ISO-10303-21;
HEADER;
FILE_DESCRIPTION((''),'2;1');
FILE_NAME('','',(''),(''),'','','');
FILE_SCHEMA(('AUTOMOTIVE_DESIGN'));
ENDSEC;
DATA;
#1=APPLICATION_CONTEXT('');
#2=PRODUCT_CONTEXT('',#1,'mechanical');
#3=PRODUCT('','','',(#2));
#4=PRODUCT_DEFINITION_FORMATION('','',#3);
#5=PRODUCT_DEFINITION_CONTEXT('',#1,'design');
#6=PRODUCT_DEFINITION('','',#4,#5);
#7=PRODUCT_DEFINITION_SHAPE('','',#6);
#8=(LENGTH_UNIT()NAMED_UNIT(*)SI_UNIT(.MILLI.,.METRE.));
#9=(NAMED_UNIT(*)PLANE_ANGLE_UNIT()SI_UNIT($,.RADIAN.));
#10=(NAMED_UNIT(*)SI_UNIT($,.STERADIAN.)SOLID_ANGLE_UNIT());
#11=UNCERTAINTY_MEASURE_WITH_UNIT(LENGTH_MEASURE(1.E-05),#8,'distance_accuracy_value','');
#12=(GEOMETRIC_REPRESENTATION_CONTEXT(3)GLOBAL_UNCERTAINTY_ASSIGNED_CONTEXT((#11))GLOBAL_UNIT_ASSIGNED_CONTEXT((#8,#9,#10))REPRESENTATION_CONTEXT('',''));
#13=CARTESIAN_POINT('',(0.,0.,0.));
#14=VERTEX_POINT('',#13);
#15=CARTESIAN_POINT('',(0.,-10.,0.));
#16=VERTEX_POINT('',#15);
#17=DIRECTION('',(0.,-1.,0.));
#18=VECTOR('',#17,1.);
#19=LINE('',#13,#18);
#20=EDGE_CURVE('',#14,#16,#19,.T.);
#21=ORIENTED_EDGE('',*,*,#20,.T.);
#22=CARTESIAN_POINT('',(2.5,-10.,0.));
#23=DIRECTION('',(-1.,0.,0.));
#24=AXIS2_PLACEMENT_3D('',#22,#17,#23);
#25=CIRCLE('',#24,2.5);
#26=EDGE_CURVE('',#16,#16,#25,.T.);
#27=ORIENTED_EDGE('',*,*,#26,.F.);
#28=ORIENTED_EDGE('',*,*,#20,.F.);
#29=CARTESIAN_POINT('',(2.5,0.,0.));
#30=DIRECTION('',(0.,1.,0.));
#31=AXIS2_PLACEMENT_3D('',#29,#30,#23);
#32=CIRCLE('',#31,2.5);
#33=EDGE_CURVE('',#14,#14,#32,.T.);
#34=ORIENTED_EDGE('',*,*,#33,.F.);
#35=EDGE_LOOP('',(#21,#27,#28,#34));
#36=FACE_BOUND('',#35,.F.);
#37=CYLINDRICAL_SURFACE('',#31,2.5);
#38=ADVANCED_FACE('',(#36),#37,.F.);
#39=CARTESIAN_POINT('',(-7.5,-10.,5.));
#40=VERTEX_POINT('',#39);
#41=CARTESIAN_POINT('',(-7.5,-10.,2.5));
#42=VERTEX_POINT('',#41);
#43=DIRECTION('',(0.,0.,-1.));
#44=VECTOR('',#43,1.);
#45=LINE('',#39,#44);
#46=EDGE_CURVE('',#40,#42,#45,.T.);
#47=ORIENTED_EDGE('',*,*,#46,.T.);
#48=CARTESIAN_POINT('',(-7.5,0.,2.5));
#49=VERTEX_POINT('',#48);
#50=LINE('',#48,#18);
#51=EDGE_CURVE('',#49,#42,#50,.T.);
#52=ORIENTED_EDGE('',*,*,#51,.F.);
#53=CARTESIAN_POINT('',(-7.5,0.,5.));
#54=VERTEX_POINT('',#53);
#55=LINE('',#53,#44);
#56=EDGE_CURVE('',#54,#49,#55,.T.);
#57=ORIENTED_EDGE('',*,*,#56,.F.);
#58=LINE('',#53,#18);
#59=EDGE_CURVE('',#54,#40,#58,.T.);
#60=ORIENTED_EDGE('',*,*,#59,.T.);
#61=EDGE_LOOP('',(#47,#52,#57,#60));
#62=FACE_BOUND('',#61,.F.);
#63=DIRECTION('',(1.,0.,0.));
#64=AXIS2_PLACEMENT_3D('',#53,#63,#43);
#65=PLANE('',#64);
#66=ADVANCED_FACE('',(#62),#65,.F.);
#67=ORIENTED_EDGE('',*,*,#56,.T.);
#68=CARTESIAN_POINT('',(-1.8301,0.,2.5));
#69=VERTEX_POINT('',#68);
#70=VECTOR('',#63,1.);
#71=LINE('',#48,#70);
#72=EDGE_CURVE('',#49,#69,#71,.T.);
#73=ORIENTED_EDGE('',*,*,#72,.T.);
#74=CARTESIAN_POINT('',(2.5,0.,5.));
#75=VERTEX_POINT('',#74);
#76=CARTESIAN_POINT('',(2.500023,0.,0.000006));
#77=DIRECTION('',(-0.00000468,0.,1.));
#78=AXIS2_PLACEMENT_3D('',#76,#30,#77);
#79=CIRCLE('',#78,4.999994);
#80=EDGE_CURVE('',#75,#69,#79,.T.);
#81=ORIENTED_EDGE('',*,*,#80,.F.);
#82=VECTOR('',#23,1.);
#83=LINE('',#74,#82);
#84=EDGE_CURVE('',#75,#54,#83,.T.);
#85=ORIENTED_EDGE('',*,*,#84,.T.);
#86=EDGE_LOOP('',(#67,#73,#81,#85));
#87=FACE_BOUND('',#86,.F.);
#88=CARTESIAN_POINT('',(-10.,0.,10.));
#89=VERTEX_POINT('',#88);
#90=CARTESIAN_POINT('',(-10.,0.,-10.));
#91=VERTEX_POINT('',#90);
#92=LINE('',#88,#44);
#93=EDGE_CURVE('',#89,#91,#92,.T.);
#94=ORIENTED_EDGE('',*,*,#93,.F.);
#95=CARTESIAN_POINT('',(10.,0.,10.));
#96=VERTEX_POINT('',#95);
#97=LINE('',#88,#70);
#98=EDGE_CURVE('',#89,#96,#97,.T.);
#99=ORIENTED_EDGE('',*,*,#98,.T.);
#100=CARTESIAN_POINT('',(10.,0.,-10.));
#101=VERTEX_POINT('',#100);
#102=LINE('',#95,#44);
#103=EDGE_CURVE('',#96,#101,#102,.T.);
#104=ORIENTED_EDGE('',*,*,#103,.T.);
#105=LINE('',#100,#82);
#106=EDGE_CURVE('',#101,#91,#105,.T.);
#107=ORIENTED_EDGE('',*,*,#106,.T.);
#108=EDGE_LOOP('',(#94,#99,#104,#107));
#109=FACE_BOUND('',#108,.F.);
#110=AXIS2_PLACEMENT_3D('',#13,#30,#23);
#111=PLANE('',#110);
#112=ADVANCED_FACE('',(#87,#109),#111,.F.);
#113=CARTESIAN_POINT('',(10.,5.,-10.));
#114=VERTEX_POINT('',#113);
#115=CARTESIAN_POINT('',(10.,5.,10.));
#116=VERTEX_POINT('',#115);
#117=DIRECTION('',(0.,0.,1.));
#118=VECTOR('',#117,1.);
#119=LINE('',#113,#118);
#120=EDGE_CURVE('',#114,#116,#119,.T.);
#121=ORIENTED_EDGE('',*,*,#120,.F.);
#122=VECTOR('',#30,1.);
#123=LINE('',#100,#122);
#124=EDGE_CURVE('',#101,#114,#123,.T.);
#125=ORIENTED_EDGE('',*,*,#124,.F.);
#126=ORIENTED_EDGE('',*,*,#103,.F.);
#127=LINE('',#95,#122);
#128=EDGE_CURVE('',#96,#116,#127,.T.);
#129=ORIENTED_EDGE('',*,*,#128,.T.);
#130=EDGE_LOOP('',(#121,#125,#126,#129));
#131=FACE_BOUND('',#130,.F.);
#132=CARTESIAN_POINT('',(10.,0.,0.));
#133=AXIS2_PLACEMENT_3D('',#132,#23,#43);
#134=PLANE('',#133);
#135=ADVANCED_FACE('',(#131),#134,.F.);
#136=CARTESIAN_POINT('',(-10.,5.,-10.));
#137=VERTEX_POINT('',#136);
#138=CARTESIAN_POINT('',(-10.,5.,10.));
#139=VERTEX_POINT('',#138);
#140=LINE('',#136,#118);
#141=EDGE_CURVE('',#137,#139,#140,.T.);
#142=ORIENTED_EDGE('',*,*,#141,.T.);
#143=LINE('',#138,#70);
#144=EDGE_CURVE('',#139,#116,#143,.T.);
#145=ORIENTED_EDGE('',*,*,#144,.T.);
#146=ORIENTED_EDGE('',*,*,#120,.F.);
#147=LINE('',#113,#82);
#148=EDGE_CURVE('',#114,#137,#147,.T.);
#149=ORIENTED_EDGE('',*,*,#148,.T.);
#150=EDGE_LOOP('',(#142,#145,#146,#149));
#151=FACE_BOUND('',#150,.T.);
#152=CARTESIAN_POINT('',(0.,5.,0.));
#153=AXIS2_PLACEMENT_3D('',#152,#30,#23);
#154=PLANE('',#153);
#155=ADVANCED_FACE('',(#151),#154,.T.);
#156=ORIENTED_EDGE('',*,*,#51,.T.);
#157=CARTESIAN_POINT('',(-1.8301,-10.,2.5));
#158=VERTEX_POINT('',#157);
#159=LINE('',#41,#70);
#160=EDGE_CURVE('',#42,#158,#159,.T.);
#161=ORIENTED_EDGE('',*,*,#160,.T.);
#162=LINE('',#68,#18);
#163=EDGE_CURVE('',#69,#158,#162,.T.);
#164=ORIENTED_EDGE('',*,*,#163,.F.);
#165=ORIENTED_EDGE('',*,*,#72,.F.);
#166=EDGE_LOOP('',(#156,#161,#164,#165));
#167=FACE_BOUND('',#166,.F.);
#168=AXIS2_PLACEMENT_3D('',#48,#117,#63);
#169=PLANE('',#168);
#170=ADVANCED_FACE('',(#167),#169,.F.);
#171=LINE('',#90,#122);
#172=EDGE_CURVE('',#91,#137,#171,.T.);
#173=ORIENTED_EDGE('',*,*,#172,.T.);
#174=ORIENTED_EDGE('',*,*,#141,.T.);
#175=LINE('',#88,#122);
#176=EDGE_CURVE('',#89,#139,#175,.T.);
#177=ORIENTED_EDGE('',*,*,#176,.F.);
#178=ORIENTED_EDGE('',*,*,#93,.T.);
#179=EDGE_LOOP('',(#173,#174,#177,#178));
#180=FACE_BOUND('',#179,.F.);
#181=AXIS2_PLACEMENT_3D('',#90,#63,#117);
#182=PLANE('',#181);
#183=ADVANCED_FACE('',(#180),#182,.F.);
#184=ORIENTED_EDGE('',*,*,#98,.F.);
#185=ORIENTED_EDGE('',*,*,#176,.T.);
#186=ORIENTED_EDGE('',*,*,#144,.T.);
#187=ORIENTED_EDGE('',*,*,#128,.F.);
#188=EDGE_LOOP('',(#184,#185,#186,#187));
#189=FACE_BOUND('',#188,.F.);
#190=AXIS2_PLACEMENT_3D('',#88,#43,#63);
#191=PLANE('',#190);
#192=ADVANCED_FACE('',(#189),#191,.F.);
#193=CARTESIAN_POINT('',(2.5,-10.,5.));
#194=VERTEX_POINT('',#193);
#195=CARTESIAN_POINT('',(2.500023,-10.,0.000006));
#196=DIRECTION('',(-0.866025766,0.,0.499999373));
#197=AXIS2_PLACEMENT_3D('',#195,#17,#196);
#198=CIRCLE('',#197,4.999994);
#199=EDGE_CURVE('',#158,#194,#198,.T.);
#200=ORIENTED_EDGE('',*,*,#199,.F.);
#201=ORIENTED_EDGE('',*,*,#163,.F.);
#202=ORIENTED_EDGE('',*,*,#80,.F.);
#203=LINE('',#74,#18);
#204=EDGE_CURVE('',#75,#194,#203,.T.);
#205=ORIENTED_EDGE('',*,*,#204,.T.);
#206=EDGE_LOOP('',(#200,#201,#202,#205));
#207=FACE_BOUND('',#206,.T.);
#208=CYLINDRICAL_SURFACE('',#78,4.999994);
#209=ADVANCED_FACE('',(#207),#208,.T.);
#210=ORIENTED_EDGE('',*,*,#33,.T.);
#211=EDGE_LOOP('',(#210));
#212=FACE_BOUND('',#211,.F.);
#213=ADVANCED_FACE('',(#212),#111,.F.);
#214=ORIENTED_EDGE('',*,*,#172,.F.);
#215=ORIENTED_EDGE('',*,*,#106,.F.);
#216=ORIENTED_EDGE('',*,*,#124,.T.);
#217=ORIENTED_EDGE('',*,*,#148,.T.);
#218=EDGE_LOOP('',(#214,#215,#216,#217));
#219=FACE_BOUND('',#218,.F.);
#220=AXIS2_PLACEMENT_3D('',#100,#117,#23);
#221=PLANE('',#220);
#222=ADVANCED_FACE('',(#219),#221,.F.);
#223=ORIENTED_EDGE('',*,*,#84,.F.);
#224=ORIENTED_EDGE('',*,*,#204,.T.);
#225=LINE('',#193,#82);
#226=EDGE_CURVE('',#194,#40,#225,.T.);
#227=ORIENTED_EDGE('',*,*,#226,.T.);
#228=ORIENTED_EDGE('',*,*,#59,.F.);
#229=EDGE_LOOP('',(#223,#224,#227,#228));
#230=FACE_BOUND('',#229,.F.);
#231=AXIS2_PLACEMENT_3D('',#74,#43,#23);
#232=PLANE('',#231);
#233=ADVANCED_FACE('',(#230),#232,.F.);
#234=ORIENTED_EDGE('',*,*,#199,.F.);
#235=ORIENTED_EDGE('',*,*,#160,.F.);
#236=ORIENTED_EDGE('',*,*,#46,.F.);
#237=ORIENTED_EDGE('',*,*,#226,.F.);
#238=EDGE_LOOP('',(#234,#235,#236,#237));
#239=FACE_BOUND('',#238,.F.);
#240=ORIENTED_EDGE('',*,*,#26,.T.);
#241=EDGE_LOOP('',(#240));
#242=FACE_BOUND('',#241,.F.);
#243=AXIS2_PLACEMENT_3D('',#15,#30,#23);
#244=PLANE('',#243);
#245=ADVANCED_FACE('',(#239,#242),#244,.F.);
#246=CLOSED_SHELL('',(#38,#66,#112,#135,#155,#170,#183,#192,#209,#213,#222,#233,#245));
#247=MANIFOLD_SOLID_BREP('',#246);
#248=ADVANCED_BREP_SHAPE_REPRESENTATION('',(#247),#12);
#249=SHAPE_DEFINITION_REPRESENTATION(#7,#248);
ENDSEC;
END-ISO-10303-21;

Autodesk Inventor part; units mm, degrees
ref_plane "YZ Plane" through (0, 0, 0) normal (1, 0, 0) x (0, 1, 0)
ref_plane "XZ Plane" through (0, 0, 0) normal (0, 1, 0) x (-1, 0, 0)
ref_plane "XY Plane" through (0, 0, 0) normal (0, 0, 1) x (1, 0, 0)
sketch "Sketch1" plane through (0, 0, 0) normal (0, 1, 0) x (-1, 0, 0)
  line L0 (-10, -10) -> (10, -10)
  line L1 (10, -10) -> (10, 10)
  line L2 (10, 10) -> (-10, 10)
  line L3 (-10, 10) -> (-10, -10)
  line L4 (-10, -10) -> (10, 10) construction
  line L5 (10, -10) -> (-10, 10) construction
  circle A0 centre (-2.5, 0) radius 2.5
  arc A1 (-2.5, 5) -> (1.8301, 2.5) centre (-2.5, 0) ccw
  line L6 (-2.5, 5) -> (7.5, 5)
  line L7 (7.5, 5) -> (7.5, 2.5)
  line L8 (7.5, 2.5) -> (1.8301, 2.5)
  line L9 (-7.5, 0) -> (-7.5, -4.6851) construction
  line L10 (14, 0) -> (-14, 0) projected
  point P0 (0, 0)
  dimension "d0" = 20
  dimension "d1" = 20
  dimension "d2" = 2.5
  dimension "d3" = 2.5
  dimension "d4" = 2.5
  dimension "d5" = 2.5
  dimension "d6" = 5
extrude "Extrusion1" add sketch "Sketch1" against normal blind 10 contours L10 A0 A1 | A1 L6 L7 L8 L10 A0
extrude "Extrusion2" add sketch "Sketch1" along normal blind 5
properties part number "6"
